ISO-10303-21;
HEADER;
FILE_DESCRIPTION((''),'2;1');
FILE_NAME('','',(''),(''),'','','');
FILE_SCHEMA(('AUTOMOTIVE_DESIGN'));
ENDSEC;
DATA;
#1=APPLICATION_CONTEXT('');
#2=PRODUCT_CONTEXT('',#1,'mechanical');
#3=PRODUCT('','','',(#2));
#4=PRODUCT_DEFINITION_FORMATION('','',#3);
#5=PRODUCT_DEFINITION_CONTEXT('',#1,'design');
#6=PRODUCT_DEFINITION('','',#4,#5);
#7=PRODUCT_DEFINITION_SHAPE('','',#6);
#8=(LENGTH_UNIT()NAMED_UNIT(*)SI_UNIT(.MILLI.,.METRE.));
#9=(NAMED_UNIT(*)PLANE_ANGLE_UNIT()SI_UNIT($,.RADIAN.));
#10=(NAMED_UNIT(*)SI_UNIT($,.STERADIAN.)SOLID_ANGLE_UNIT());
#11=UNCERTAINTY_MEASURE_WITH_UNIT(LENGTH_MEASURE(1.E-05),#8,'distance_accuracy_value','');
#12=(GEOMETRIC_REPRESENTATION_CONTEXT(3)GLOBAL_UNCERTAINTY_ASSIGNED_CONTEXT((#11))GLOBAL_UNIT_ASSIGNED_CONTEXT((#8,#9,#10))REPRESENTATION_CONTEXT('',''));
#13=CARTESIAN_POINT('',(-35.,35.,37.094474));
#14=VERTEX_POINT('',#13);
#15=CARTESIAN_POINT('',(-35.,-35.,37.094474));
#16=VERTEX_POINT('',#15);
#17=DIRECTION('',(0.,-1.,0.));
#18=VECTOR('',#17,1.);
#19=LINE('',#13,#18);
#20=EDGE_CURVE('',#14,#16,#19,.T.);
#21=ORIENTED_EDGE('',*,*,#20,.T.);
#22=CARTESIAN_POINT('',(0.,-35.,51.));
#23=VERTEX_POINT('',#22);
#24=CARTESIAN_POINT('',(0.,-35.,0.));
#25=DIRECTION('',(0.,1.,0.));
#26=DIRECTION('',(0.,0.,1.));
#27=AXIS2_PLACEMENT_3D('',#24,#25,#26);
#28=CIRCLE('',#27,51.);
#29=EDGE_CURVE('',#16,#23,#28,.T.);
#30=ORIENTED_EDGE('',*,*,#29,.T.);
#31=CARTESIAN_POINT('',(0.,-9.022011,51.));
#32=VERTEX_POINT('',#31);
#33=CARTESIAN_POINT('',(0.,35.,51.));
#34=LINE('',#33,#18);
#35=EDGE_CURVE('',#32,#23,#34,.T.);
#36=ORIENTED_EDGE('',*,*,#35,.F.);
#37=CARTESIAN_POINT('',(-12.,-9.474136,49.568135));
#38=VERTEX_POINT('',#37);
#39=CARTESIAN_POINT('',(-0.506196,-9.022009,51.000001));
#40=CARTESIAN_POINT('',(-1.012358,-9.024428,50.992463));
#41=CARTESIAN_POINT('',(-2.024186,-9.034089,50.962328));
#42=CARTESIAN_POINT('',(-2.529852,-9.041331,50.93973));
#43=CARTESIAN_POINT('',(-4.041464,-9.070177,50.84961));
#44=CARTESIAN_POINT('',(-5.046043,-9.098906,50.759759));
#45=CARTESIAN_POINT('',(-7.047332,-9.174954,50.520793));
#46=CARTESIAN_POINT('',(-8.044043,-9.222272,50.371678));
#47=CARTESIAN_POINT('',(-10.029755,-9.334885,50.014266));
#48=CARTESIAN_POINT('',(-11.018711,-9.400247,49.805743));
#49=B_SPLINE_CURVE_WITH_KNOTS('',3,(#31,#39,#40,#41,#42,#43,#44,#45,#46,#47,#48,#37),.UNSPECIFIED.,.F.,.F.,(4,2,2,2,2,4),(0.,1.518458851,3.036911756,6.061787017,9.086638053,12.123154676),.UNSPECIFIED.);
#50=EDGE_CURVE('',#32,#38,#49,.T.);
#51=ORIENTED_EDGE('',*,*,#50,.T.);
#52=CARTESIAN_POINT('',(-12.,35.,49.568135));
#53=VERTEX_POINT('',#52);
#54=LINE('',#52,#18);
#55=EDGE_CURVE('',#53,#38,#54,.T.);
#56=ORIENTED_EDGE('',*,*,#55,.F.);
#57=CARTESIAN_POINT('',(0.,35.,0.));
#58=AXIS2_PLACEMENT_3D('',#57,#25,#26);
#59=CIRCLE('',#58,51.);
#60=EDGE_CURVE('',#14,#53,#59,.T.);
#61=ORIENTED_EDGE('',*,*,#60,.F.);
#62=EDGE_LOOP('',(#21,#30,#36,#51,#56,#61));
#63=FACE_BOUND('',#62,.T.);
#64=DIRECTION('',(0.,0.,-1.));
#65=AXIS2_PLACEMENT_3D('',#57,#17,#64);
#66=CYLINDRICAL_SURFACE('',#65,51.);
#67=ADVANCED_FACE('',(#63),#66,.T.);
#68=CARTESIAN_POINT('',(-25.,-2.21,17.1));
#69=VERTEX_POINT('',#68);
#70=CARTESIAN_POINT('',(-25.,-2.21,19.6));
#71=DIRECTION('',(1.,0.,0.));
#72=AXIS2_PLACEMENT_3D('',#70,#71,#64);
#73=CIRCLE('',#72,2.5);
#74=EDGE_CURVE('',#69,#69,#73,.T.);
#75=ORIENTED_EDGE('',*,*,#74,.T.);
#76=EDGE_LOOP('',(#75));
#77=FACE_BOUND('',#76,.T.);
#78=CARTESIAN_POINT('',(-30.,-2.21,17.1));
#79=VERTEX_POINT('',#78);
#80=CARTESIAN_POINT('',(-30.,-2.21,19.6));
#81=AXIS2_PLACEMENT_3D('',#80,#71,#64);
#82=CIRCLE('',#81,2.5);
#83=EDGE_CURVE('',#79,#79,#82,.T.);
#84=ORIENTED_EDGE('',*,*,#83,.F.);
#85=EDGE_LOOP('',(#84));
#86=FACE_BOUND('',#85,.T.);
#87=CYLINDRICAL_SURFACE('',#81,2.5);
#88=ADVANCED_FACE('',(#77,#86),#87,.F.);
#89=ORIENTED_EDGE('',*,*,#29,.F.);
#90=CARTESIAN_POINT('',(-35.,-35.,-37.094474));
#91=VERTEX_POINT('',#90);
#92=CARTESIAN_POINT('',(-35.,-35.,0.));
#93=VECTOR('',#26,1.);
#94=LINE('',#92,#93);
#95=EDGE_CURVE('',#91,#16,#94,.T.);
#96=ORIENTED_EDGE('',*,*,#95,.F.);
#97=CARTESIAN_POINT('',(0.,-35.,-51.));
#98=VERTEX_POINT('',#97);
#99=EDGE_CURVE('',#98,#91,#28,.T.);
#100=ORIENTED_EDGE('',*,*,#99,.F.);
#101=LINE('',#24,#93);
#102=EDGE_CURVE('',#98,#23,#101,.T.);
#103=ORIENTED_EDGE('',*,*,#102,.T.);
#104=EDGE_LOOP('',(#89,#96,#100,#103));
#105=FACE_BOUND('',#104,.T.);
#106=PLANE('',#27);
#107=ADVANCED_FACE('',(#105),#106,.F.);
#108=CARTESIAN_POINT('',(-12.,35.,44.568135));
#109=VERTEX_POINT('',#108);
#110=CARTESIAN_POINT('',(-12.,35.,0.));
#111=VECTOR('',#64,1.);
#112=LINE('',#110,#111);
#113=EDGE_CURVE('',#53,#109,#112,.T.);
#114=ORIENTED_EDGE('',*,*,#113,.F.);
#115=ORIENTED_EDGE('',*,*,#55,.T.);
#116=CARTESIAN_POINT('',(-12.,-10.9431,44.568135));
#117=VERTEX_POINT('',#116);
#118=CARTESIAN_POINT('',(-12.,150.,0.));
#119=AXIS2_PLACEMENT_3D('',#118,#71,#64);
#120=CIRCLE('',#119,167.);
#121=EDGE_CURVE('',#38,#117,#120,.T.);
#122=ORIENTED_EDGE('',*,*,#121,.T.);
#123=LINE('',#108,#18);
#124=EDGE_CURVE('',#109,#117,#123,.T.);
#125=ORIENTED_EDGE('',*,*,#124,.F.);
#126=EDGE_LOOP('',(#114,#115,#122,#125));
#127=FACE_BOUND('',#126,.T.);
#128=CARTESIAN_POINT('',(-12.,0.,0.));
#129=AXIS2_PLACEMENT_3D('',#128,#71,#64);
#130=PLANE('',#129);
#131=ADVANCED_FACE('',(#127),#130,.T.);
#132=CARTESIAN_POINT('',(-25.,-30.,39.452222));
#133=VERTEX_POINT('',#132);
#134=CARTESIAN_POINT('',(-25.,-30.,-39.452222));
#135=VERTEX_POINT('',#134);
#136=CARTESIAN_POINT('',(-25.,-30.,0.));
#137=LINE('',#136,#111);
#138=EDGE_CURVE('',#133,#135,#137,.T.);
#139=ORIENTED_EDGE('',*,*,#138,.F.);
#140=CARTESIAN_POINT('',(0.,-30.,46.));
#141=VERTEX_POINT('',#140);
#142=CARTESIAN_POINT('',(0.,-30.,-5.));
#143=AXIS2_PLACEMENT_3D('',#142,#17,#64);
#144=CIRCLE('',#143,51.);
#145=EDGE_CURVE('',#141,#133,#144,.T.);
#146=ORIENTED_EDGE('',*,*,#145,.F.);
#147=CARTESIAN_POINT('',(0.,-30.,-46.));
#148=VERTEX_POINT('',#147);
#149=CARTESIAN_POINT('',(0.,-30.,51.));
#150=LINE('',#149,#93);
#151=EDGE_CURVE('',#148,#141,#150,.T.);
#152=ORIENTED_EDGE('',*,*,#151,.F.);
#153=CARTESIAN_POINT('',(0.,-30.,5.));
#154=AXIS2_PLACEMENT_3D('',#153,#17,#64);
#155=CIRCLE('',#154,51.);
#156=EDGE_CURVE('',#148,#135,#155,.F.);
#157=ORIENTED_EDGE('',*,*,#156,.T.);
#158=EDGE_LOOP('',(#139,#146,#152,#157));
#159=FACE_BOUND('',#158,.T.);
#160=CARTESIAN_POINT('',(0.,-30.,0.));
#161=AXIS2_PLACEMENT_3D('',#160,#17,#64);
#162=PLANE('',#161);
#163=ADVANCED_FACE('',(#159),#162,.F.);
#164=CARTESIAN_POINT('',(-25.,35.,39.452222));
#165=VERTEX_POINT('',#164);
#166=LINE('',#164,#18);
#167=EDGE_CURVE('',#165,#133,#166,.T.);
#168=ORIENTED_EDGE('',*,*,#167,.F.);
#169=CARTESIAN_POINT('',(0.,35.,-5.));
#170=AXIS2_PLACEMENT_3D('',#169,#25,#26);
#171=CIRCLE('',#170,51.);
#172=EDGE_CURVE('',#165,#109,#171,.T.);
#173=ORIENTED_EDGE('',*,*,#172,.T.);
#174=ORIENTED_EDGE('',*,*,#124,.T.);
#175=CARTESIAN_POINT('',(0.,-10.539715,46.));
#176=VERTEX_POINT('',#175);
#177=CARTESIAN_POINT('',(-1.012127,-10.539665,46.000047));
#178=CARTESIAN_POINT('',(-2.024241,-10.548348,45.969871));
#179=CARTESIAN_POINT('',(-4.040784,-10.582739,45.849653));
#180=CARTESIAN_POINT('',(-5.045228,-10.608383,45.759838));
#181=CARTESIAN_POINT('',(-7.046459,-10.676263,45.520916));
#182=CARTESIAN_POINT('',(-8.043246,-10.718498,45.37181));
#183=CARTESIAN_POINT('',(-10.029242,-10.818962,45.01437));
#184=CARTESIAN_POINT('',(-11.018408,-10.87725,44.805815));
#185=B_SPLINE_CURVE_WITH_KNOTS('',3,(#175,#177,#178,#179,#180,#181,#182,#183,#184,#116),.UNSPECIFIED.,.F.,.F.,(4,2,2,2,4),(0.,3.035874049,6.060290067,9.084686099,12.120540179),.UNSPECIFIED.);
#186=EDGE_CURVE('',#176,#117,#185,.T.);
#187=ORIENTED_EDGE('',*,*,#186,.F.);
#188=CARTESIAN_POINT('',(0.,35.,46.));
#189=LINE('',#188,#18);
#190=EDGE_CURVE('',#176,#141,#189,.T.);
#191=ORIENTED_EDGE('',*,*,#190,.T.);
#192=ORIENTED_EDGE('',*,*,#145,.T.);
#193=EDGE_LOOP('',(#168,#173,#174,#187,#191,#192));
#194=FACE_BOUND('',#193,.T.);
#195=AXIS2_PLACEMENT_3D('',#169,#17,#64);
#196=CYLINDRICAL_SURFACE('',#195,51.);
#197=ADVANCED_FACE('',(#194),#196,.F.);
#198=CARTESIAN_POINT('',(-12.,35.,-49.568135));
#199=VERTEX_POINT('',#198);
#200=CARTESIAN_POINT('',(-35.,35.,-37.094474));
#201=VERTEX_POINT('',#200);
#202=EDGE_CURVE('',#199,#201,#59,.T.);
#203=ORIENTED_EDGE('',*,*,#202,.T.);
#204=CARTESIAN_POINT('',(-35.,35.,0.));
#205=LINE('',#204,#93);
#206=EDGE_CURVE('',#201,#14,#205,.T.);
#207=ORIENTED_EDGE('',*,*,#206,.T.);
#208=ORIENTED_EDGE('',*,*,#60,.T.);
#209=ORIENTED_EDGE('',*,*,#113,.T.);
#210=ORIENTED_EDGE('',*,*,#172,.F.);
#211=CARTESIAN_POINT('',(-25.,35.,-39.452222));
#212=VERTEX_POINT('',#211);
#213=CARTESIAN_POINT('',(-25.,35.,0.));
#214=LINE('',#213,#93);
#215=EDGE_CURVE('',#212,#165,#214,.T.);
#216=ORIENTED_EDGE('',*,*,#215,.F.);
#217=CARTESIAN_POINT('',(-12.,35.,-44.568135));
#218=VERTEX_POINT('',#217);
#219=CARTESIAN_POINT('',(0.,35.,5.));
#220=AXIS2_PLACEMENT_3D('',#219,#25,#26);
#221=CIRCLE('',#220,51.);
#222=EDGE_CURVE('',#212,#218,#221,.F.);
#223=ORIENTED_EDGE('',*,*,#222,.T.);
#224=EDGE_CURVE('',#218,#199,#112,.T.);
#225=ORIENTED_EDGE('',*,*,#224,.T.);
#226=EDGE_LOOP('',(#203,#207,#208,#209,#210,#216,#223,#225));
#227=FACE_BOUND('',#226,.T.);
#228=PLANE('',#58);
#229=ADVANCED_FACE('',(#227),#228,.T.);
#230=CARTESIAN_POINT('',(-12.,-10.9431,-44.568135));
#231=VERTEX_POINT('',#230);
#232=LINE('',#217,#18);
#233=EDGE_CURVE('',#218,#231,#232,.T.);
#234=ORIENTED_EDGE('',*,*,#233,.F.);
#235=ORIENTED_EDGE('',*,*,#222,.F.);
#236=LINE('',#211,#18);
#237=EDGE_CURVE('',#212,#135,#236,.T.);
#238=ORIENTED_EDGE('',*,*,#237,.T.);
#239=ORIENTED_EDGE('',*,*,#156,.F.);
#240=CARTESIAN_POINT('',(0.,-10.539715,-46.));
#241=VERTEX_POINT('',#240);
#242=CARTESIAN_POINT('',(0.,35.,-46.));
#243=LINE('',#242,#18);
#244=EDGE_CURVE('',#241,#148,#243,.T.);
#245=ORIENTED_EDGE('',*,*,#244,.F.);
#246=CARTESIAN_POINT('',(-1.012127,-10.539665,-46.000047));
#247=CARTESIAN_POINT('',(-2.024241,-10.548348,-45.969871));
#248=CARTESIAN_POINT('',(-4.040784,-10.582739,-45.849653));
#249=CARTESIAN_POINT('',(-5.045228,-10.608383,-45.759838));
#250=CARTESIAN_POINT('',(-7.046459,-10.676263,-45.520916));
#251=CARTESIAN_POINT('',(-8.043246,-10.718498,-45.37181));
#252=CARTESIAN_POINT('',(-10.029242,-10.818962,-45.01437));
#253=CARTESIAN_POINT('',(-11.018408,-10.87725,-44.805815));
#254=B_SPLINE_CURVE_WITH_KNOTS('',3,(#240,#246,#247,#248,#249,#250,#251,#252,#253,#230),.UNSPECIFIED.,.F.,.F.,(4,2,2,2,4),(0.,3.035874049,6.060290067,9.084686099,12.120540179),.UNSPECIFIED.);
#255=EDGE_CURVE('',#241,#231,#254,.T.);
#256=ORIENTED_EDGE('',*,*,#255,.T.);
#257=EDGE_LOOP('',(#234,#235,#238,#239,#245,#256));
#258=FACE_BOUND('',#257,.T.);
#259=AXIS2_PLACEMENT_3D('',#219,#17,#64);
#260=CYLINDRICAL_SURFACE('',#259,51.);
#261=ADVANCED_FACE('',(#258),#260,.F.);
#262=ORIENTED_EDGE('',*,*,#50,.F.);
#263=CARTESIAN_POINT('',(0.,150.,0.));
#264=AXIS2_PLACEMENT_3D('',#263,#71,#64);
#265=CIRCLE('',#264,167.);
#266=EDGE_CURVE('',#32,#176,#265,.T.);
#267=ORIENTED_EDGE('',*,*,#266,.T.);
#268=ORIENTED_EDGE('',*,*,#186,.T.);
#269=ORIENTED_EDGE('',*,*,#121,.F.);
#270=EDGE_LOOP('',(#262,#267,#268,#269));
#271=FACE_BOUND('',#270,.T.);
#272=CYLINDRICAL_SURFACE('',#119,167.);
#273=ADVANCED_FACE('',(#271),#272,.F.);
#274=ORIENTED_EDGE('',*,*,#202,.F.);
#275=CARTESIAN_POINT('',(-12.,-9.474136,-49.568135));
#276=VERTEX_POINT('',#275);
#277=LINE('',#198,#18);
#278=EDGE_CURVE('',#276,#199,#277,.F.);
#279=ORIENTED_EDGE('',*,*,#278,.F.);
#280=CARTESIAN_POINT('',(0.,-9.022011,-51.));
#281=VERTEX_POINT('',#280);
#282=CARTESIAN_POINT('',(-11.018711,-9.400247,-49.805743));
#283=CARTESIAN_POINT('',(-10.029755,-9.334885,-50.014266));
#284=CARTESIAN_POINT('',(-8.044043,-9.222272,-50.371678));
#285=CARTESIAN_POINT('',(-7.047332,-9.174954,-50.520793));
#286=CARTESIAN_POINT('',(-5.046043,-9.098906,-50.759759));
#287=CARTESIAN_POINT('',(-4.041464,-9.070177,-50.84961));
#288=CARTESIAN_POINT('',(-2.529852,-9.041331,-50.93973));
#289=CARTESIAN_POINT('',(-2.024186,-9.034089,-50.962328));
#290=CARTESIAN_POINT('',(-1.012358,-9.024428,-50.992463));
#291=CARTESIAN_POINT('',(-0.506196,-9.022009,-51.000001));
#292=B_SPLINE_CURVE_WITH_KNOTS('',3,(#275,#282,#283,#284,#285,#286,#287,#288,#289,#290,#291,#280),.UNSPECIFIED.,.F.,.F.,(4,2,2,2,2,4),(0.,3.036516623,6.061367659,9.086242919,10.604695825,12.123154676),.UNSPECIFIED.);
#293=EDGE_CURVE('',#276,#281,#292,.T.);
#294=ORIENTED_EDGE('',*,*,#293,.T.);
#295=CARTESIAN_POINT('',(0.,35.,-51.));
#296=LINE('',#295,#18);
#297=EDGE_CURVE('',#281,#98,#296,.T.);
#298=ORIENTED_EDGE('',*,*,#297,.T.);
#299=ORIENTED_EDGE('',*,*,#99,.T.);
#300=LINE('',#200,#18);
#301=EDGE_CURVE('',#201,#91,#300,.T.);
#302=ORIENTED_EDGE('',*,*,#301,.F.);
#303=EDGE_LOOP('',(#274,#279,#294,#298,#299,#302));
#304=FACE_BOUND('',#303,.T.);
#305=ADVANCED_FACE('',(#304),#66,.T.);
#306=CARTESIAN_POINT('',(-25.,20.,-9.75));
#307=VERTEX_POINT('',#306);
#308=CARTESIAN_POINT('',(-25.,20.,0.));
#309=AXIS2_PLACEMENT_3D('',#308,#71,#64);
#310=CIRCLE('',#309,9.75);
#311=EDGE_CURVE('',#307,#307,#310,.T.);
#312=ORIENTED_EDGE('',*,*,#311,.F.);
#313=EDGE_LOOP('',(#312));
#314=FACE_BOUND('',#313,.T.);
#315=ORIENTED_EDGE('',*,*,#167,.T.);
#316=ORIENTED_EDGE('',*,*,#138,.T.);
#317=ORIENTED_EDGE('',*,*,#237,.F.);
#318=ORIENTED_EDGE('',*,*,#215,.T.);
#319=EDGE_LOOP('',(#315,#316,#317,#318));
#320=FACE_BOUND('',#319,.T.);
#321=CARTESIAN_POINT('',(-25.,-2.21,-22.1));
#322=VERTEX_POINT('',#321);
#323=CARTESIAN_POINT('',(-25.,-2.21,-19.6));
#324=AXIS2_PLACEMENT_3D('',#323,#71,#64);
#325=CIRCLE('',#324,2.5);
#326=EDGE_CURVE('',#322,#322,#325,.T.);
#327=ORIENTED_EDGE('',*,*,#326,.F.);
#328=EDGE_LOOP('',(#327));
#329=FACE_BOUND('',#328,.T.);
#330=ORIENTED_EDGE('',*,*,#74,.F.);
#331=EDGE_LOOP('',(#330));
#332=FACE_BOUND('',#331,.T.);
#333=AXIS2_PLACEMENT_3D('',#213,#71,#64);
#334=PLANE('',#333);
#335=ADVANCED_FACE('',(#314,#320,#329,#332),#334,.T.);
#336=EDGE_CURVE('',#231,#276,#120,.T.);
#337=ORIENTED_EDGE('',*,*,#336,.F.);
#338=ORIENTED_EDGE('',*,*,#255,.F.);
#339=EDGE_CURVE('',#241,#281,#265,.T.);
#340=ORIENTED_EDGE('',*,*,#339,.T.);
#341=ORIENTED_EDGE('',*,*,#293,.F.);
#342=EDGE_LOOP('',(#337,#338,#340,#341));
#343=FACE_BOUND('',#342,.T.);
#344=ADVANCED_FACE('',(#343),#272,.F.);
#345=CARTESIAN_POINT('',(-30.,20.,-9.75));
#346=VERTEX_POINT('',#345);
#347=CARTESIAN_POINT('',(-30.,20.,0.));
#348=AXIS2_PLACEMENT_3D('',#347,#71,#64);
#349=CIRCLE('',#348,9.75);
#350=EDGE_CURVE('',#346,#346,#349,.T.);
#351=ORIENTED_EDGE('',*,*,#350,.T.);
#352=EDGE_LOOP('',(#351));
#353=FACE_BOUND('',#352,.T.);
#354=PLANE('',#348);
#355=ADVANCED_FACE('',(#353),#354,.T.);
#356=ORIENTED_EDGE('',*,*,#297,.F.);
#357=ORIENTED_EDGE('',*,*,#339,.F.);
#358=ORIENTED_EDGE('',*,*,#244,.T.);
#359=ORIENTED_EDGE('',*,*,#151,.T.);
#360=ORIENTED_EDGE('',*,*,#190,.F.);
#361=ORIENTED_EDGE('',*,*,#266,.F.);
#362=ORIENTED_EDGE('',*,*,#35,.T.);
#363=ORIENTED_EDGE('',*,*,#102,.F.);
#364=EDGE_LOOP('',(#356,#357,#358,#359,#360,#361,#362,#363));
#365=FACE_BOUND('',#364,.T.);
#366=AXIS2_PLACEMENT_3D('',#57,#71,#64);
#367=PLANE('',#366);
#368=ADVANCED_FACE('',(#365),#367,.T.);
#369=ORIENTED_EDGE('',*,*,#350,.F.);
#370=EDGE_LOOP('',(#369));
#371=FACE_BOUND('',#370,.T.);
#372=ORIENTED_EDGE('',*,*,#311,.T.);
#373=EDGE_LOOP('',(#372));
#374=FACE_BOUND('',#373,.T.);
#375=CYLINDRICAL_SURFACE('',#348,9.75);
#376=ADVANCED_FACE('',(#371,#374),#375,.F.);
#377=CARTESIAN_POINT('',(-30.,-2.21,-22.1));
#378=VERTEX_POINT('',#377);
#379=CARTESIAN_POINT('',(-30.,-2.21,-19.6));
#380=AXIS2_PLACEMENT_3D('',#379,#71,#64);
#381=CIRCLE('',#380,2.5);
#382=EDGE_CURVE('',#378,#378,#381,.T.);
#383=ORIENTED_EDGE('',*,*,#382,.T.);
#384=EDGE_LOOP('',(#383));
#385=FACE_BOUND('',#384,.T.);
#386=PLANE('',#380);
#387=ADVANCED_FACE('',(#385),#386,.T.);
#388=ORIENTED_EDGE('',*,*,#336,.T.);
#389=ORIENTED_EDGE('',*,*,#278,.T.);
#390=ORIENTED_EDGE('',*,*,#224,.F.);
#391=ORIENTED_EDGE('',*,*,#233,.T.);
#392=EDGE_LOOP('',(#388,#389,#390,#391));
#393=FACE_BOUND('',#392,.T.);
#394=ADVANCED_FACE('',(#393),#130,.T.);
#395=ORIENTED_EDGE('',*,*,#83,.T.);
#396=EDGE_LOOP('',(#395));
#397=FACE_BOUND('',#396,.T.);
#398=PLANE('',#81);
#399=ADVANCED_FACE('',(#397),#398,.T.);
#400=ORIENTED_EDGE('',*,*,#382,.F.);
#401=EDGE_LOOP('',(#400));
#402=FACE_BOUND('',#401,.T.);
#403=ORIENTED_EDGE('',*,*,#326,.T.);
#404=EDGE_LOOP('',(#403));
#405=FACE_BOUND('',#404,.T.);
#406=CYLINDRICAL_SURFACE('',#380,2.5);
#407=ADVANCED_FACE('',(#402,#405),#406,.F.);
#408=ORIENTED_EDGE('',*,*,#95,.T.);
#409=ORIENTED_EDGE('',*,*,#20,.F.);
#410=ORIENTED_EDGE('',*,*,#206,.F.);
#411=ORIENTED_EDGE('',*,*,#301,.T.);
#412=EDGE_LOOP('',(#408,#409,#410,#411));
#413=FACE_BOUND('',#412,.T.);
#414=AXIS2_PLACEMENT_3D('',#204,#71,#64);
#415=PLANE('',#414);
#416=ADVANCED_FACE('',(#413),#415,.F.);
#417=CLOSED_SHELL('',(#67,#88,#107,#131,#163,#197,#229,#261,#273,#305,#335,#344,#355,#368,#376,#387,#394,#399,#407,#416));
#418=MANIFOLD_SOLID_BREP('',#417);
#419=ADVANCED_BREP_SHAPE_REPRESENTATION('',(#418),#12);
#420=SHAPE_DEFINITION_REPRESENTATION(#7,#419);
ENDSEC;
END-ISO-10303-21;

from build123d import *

# Parameters (mm, degrees)
BOSS_EXTRU_7_DEPTH      = 35
BOSS_EXTRU_8_START      = -5
BOSS_EXTRU_8_DEPTH      = 5
ESQUISSE3_R             = 2.4999999999999987
ENL_V_MAT_EXTRU_1_DEPTH = 5
ENL_V_MAT_EXTRU_2_DEPTH = 12
ESQUISSE6_R             = 9.75
ENL_V_MAT_EXTRU_3_DEPTH = 5


with BuildPart() as part:
    # Esquisse1 → Boss.-Extru.7 (new, symmetric)
    with BuildSketch(Plane(origin=(0, 0, 0), x_dir=(1, 0, 0), z_dir=(0, 1, 0))):
        with BuildLine():
            Line((0, 51.00000000000001), (1.188e-14, 46.00000000000001))
            ThreePointArc((1.188e-14, 46.00000000000001), (-12.921623376513631, 44.33590628857987), (-24.99999999999999, 39.45222154178573))
            Line((-24.99999999999999, 39.45222154178573), (-24.99999999999999, -39.45222154178573))
            ThreePointArc((-24.99999999999999, -39.45222154178573), (-12.921623376513633, -44.33590628857988), (1.188e-14, -46.00000000000001))
            Line((1.188e-14, -46.00000000000001), (0, -51.00000000000001))
            ThreePointArc((0, -51.00000000000001), (-18.830584522511188, -47.39629823668259), (-35, -37.09447398198281))
            Line((-35, -37.09447398198281), (-35, 37.09447398198281))
            ThreePointArc((-35, 37.09447398198281), (-18.830584522511195, 47.396298236682604), (0, 51.00000000000001))
        make_face()
    extrude(amount=BOSS_EXTRU_7_DEPTH, both=True)

    # Esquisse2 → Boss.-Extru.8 (add)
    with BuildSketch(Plane.XZ.offset(35).offset(BOSS_EXTRU_8_START)):
        with BuildLine():
            Line((-34.99999999999999, 37.094473981982816), (-34.99999999999999, -37.094473981982816))
            ThreePointArc((-34.99999999999999, -37.094473981982816), (-18.830584522511195, -47.396298236682604), (0, -51.00000000000001))
            Line((0, -51.00000000000001), (0, 51.00000000000001))
            ThreePointArc((0, 51.00000000000001), (-18.830584522511195, 47.396298236682604), (-34.99999999999999, 37.094473981982816))
        make_face()
    extrude(amount=BOSS_EXTRU_8_DEPTH)

    # Esquisse3 → Enlèv. mat.-Extru.1 (cut)
    with BuildSketch(Plane(origin=(-24.99999999999999, 0, 0), x_dir=(0, 0, -1), z_dir=(1, 0, 0))):
        with Locations((-19.600000000000012, -2.2100000000000035)):
            Circle(ESQUISSE3_R)
        with Locations((19.59999999999999, -2.209999999999999)):
            Circle(ESQUISSE3_R)
    extrude(amount=-ENL_V_MAT_EXTRU_1_DEPTH, mode=Mode.SUBTRACT)

    # Esquisse5 → Enlèv. mat.-Extru.2 (cut)
    with BuildSketch(Plane(origin=(0, 0, 0), x_dir=(2.38e-15, 0, -1), z_dir=(1, 0, 2.38e-15))):
        with BuildLine():
            Line((40.674477228026994, 51.032394682771525), (98.05120693404734, 14.815086571109495))
            ThreePointArc((98.05120693404734, 14.815086571109495), (1.023e-14, -17), (-98.05120693404734, 14.81508657110947))
            Line((-98.05120693404734, 14.81508657110947), (-40.674477228026994, 51.03239468277152))
            ThreePointArc((-40.674477228026994, 51.03239468277152), (6.55e-15, 43.000000000000014), (40.674477228026994, 51.032394682771525))
        make_face()
    extrude(amount=-ENL_V_MAT_EXTRU_2_DEPTH, mode=Mode.SUBTRACT)

    # Esquisse6 → Enlèv. mat.-Extru.3 (cut)
    with BuildSketch(Plane(origin=(-24.99999999999999, 0, 0), x_dir=(0, 0, -1), z_dir=(1, 0, 0))):
        with Locations((0, 20.000000000000004)):
            Circle(ESQUISSE6_R)
    extrude(amount=-ENL_V_MAT_EXTRU_3_DEPTH, mode=Mode.SUBTRACT)


solid = part.part
